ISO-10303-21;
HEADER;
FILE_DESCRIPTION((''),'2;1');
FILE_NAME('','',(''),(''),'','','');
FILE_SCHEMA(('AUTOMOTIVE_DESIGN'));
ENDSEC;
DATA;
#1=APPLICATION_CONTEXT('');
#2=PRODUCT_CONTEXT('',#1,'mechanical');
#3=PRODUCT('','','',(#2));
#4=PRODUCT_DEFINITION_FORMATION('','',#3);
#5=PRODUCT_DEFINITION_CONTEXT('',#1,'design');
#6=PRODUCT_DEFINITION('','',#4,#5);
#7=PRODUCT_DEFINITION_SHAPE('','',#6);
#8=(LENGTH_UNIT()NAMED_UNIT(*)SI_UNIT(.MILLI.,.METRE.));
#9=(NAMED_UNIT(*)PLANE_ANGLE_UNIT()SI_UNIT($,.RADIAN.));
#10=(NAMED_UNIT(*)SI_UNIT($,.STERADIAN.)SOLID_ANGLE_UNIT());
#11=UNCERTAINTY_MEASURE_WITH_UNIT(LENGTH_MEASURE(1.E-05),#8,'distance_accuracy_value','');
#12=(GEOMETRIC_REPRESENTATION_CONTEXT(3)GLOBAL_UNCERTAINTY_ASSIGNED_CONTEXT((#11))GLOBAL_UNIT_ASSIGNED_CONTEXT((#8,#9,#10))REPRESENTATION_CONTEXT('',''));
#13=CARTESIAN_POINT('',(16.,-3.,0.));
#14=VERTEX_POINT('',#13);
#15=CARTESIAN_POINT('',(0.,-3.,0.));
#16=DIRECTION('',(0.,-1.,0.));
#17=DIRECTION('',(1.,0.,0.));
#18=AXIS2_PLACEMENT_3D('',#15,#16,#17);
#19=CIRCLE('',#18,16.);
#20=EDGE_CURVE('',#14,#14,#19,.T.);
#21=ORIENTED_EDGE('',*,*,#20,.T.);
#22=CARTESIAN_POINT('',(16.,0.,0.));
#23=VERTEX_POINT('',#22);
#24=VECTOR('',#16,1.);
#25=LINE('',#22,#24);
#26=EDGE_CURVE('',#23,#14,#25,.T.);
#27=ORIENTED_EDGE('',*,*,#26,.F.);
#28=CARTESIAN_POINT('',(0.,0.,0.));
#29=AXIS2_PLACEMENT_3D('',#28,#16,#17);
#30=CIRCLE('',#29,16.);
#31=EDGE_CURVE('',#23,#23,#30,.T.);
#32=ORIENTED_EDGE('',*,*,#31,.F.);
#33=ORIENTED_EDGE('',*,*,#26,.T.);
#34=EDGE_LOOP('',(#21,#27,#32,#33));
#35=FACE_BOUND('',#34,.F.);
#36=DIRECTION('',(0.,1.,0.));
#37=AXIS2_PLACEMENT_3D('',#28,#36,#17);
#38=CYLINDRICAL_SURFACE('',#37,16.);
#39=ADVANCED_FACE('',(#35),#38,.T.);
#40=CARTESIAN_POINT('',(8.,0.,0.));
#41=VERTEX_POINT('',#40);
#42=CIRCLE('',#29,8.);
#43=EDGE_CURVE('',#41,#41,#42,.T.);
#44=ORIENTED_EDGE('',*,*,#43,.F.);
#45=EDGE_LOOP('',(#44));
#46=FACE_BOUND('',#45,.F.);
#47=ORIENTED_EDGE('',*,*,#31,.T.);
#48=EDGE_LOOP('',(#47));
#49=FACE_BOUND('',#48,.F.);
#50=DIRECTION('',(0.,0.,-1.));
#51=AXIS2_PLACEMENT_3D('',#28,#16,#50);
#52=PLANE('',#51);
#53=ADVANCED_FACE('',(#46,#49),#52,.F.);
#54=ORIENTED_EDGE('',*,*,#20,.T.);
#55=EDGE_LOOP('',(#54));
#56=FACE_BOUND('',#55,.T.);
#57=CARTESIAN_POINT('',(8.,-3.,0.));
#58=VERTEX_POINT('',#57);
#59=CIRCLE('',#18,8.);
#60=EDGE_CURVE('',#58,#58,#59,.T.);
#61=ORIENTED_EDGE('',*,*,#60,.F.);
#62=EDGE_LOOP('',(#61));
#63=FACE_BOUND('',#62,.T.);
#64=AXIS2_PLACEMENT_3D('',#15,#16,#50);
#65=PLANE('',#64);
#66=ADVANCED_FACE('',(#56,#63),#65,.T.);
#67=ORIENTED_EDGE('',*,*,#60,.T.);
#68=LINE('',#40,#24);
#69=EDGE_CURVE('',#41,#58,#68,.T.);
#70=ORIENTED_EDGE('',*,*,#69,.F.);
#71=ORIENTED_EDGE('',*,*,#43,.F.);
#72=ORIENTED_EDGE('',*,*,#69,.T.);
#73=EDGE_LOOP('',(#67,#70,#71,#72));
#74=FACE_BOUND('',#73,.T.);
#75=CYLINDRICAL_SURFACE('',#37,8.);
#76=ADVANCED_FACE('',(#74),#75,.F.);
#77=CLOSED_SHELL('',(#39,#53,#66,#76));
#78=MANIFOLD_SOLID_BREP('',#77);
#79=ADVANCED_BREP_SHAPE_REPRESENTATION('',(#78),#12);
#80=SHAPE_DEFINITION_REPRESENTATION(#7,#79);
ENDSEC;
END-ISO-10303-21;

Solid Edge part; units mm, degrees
sketch "Sketch1" plane through (0, 0, 0) normal (0, -1, 0) x (1, 0, 0)
  circle A0 centre (0, 0) radius 8
  circle A1 centre (0, 0) radius 16
extrude "Protrusion1" add sketch "Sketch1" along normal blind 3
